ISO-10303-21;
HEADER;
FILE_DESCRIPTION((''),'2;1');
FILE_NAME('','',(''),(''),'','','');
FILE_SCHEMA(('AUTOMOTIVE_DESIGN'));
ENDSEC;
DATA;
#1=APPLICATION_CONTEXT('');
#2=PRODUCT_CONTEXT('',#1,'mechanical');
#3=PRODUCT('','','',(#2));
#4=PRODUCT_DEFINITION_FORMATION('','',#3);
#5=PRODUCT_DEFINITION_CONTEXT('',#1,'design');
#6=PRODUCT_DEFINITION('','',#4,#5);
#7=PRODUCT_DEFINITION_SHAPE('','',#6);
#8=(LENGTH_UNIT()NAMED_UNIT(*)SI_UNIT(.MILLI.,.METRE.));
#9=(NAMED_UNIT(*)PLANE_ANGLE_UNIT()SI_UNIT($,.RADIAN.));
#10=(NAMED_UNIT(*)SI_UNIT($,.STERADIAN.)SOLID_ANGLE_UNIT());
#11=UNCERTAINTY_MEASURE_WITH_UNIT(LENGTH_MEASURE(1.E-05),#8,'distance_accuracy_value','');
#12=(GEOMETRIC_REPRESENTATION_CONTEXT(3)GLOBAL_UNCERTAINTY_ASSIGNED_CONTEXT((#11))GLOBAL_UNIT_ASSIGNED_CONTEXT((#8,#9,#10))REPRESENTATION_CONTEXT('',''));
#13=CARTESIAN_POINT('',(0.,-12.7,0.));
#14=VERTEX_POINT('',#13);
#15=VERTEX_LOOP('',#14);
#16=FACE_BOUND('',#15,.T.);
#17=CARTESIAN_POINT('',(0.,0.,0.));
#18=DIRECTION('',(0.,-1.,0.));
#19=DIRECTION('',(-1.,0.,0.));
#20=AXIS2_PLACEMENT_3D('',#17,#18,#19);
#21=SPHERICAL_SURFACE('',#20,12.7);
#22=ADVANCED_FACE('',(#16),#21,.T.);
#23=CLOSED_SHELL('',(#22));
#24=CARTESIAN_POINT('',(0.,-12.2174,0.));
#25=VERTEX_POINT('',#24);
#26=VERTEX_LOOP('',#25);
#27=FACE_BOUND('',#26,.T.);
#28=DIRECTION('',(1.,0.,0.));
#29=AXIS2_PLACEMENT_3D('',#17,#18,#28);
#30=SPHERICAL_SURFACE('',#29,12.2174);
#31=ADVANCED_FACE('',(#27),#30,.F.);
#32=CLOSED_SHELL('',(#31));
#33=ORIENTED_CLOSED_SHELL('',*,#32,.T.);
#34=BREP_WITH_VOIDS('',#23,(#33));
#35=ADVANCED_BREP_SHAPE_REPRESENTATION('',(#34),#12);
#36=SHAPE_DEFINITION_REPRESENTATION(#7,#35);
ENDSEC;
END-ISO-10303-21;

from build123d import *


with BuildPart() as part:
    # Sketch2 → Revolve1 (revolve)
    with BuildSketch(Plane.XY):
        with BuildLine():
            Line((0, 12.7), (0, 12.2174))
            ThreePointArc((0, 12.2174), (12.2174, 0), (0, -12.2174))
            Line((0, -12.2174), (0, -12.7))
            ThreePointArc((0, -12.7), (12.7, 0), (0, 12.7))
        make_face()
    revolve(axis=Axis((0, -158.486323131, 0), (0, 1, 0)))


solid = part.part
